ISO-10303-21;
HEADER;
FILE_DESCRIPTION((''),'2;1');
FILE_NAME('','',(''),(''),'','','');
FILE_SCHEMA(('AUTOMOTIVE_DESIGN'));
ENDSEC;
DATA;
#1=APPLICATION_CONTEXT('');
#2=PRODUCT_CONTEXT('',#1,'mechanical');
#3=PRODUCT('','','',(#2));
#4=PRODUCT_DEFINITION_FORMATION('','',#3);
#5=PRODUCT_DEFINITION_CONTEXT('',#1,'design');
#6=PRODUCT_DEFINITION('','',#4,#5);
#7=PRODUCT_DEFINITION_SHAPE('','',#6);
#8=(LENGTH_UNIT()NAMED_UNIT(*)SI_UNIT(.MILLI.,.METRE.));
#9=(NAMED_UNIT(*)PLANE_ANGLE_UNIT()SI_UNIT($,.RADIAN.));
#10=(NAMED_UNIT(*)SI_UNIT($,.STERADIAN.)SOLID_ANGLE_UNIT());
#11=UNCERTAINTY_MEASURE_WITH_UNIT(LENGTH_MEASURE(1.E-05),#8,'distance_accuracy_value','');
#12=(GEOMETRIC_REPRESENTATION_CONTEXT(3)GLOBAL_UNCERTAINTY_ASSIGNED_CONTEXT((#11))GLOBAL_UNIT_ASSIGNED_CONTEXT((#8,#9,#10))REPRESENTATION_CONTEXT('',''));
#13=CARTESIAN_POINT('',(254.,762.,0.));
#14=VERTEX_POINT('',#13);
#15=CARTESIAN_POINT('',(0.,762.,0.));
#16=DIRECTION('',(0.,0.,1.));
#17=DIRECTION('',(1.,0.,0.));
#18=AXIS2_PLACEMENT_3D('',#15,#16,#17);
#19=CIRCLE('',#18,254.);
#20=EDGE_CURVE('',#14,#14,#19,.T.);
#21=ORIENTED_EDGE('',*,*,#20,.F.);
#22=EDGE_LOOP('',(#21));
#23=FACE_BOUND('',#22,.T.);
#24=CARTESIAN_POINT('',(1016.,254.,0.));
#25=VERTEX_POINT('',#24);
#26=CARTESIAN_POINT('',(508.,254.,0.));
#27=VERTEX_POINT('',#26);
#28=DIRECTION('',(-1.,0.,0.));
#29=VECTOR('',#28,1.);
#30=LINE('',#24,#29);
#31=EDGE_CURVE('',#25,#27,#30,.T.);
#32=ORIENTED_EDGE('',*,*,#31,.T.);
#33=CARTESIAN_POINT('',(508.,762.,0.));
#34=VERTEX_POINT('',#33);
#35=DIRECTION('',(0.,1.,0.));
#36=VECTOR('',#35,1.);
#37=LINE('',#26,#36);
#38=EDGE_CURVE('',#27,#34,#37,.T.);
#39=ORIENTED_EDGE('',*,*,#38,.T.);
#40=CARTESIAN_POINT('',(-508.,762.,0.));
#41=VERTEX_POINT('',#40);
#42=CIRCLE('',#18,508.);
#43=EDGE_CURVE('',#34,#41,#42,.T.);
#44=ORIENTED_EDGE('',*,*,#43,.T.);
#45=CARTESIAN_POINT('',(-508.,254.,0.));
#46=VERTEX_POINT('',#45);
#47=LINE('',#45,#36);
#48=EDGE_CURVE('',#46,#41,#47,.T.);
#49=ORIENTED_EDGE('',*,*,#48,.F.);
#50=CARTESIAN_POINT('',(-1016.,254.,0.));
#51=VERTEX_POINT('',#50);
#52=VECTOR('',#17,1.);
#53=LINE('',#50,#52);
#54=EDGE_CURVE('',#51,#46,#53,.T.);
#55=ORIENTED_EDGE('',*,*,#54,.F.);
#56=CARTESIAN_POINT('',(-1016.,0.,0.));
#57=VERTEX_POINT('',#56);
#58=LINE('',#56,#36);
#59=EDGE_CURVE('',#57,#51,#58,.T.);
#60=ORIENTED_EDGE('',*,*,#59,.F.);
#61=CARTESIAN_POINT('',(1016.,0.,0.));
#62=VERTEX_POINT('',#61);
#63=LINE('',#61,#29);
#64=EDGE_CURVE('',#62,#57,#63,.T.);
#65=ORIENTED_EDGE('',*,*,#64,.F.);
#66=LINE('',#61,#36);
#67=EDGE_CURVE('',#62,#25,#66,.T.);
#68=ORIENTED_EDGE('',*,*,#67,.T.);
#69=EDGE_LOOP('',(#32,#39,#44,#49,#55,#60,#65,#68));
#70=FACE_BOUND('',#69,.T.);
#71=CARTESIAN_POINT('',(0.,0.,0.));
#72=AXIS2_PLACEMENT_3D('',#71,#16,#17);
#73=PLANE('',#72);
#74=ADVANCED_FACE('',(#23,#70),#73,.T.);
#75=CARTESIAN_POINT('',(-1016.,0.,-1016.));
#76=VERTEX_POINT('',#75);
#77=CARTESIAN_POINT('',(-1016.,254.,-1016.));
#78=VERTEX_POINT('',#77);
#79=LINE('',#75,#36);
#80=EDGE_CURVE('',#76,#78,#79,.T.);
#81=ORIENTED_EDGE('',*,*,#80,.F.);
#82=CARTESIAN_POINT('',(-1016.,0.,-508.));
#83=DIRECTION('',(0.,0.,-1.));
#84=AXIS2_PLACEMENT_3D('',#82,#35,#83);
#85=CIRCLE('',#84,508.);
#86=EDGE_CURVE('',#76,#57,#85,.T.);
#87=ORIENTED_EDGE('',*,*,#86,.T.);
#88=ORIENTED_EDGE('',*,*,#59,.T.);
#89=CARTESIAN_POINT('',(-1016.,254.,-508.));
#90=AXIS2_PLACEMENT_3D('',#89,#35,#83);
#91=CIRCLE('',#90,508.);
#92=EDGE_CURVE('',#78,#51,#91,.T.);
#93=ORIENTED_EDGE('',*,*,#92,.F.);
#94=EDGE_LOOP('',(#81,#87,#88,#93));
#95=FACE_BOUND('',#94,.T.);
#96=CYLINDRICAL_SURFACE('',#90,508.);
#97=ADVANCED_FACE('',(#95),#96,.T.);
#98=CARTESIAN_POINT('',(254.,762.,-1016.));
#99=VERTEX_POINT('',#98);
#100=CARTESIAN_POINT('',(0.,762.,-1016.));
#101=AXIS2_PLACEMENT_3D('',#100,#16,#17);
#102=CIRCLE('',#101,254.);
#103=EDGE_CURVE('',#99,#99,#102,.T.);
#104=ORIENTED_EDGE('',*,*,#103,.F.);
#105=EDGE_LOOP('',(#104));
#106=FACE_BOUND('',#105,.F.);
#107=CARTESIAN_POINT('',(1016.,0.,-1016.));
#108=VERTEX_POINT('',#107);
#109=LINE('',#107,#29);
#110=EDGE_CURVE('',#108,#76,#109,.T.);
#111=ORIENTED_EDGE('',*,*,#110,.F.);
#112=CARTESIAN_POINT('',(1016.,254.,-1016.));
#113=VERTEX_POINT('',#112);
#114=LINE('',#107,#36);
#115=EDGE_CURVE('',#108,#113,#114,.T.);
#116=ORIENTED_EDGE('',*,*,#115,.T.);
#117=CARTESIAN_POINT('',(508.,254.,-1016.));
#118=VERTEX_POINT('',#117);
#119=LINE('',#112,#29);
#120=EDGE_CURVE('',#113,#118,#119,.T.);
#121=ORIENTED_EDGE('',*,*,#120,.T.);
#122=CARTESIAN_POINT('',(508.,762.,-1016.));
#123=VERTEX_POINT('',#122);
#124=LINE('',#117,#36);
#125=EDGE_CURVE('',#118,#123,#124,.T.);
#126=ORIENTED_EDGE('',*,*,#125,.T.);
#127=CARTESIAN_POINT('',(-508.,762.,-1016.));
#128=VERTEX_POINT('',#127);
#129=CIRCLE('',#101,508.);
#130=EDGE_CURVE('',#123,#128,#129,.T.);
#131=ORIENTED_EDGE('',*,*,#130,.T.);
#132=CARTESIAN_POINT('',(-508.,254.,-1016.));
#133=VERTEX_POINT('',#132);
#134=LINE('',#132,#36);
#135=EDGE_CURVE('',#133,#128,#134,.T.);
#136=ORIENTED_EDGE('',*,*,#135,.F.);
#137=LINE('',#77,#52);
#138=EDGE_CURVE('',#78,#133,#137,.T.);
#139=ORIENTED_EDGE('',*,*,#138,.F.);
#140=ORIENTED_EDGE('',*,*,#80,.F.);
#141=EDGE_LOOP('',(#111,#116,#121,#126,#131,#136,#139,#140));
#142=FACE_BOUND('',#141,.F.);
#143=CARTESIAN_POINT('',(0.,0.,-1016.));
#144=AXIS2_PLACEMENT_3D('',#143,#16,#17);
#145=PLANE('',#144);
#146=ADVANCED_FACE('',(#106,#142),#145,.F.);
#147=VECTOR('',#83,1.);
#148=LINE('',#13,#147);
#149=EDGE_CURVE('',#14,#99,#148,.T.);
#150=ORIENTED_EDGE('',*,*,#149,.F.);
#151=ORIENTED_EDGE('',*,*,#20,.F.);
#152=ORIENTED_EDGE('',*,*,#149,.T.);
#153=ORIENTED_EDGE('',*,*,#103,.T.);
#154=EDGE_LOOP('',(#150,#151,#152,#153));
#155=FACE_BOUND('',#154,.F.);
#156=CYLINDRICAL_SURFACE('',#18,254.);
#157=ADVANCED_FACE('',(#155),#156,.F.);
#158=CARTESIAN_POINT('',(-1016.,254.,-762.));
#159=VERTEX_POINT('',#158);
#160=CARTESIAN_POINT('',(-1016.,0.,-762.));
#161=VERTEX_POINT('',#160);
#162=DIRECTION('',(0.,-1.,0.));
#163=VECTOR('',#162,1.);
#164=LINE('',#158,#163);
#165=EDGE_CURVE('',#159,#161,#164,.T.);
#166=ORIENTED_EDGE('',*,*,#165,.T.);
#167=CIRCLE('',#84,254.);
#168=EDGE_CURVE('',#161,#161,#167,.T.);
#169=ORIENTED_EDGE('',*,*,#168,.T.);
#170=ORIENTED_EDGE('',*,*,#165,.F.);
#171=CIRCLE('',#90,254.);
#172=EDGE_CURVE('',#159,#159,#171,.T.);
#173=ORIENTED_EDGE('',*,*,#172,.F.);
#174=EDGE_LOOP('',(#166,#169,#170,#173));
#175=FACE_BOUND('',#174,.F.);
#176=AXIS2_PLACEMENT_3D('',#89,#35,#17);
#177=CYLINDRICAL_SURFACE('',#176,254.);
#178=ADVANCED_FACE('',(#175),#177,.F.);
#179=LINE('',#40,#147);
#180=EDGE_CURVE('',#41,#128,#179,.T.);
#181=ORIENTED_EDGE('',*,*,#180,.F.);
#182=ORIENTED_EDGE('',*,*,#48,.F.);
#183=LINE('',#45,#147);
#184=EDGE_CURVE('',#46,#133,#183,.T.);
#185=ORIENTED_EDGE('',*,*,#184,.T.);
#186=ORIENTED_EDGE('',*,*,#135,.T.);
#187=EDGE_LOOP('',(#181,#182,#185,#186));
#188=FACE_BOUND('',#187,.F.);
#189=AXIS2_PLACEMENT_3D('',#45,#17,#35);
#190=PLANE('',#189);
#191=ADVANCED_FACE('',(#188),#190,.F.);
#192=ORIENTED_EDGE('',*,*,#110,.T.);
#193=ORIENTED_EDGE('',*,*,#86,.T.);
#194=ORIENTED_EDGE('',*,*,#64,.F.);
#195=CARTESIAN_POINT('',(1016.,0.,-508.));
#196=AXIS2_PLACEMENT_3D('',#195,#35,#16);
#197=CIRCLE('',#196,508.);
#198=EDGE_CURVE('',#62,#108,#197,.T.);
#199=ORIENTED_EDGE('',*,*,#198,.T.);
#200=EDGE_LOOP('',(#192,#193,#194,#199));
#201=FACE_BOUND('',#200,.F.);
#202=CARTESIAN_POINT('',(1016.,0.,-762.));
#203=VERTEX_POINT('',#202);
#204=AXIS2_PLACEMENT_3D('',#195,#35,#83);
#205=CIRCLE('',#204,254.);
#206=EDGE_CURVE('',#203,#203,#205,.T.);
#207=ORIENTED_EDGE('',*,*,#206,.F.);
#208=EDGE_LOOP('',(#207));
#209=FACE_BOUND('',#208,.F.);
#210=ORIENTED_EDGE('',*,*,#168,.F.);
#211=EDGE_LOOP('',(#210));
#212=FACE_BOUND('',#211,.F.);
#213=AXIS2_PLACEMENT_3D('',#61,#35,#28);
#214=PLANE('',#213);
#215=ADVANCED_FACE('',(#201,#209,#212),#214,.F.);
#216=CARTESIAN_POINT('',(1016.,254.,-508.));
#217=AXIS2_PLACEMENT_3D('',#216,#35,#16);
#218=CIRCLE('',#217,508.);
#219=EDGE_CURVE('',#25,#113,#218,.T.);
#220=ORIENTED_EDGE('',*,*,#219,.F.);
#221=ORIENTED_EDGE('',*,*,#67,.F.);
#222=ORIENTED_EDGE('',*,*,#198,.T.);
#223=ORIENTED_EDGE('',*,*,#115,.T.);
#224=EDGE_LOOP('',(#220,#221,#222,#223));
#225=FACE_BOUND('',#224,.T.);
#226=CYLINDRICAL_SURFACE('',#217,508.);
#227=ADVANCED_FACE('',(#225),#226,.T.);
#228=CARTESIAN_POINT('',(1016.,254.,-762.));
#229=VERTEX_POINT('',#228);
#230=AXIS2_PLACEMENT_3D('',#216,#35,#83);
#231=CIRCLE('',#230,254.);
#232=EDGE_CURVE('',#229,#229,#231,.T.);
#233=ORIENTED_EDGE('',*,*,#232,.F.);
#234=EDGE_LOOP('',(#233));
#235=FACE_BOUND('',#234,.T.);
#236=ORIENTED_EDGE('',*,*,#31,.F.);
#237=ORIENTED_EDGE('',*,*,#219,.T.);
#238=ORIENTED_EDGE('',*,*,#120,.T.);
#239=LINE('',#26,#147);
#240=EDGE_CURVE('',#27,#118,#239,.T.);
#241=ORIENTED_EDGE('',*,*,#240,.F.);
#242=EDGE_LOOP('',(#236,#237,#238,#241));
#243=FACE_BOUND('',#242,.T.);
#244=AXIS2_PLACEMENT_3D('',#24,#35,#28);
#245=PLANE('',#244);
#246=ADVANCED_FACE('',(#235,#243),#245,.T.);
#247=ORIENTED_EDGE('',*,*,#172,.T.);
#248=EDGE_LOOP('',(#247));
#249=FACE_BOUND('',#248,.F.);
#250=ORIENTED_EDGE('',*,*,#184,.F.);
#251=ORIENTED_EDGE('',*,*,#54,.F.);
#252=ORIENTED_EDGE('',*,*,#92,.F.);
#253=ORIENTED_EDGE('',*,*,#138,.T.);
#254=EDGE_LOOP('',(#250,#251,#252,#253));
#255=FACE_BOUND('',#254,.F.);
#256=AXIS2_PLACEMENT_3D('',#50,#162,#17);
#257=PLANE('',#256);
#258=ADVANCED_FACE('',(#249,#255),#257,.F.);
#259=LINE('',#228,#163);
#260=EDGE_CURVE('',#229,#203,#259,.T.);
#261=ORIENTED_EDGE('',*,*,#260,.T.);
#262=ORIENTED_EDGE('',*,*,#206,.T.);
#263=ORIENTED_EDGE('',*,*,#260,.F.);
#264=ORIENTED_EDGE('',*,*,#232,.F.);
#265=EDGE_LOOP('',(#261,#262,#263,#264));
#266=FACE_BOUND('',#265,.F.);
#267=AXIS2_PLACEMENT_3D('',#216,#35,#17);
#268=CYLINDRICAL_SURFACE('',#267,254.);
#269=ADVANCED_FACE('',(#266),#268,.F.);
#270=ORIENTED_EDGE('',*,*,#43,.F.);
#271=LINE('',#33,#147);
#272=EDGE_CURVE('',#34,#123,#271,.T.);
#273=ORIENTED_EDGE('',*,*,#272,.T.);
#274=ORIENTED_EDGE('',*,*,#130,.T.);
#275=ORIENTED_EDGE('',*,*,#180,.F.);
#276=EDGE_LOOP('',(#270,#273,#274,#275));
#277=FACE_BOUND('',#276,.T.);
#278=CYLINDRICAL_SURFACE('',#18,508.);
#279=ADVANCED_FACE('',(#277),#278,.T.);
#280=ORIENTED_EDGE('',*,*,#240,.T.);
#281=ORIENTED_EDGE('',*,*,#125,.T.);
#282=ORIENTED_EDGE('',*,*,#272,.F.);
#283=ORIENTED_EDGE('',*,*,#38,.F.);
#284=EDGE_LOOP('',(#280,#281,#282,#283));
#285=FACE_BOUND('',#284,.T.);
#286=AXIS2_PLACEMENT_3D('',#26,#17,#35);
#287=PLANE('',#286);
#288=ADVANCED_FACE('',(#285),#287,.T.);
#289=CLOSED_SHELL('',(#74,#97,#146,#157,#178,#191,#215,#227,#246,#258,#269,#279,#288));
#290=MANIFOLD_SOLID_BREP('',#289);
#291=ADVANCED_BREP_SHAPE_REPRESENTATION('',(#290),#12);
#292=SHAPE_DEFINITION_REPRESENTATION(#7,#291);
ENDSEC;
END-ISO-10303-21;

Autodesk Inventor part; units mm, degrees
ref_plane "YZ Plane" through (0, 0, 0) normal (1, 0, 0) x (0, 1, 0)
ref_plane "XZ Plane" through (0, 0, 0) normal (0, 1, 0) x (-1, 0, 0)
ref_plane "XY Plane" through (0, 0, 0) normal (0, 0, 1) x (1, 0, 0)
sketch "Sketch1" plane through (0, 0, 0) normal (0, 0, 1) x (1, 0, 0)
  line L0 (1016, 0) -> (-1016, 0)
  line L1 (-1016, 0) -> (-1016, 254)
  line L2 (-1016, 0) -> (-762, 0) construction
  line L3 (-1016, 254) -> (-508, 254)
  line L4 (-508, 254) -> (-508, 762)
  line L5 (1016, 0) -> (1016, 254)
  line L6 (1016, 254) -> (508, 254)
  line L7 (508, 254) -> (508, 762)
  arc A0 (508, 762) -> (-508, 762) centre (0, 762) ccw
  circle A1 centre (0, 762) radius 254
  point P0 (0, 0)
  dimension "d7" = 2032
  dimension "d8" = 254
  dimension "d10" = 508
  dimension "d12" = 508
  dimension "d19" = 254
  dimension "d20" = 508
  dimension "d21" = 508
  dimension "d22" = 508
extrude "Extrusion1" add sketch "Sketch1" against normal blind 1016 contours L0 L1 L3 L4 A0 L7 L6 L5 | A1
sketch "Sketch2" plane through (0, 0, 0) normal (0, 0, 1) x (1, 0, 0)
  arc A0 (508, 762) -> (-508, 762) centre (0, 762) ccw projected
  circle A1 centre (0, 762) radius 254
  point P0 (0, 0)
  dimension "d25" = 508
extrude "Extrusion2" cut sketch "Sketch2" against normal blind 1016
sketch "Sketch3" plane through (508, 254, 0) normal (0, 1, 0) x (1, 0, 0)
  line L0 (-1524, 0) -> (-1524, 1016) projected
  arc A0 (-1524, 1016) -> (-1524, 0) centre (-1524, 508) ccw
  line L1 (508, 0) -> (508, 1016) projected
  arc A1 (508, 0) -> (508, 1016) centre (508, 508) ccw
  circle A2 centre (-1524, 508) radius 254
  circle A3 centre (508, 508) radius 254
  point P0 (-508, 0)
  point P1 (508, 762)
  point P2 (508, 254)
  point P3 (-1524, 254)
  point P4 (-1524, 762)
  dimension "d28" = 508
  dimension "d29" = 508
extrude "Extrusion3" add sketch "Sketch3" against normal blind 254 contours A0 L0 A2 | L1 A3 A1
sketch "Sketch4" plane through (-508, 254, 0) normal (0, 1, 0) x (1, 0, 0)
  line L0 (-508, 254) -> (-508, 762) projected
  circle A0 centre (-508, 508) radius 254
  line L1 (1524, 254) -> (1524, 762) projected
  arc A1 (1524, 254) -> (1524, 762) centre (1524, 508) ccw projected
  circle A2 centre (1524, 508) radius 254
  point P0 (508, 0)
extrude "Extrusion4" cut sketch "Sketch4" against normal blind 254 contours L0 A0 | A2 L1 picked at (-364.7512, 468.4995)
equation "\"BendRadius\" = Thickness"
equation "\"BendReliefWidth\" = Thickness"
equation "\"BendReliefDepth\" = 0.5 * Thickness"
equation "\"CornerReliefSize\" = 4 * Thickness"
equation "\"MinimumRemnant\" = 2 * Thickness"
equation "\"TransitionRadius\" = BendRadius"
equation "\"JacobiRadiusSize\" = BendRadius"
equation "\"GapSize\" = Thickness"
equation "\"Thickness\" = 3.048"
properties part number "LAB1LLCT"
